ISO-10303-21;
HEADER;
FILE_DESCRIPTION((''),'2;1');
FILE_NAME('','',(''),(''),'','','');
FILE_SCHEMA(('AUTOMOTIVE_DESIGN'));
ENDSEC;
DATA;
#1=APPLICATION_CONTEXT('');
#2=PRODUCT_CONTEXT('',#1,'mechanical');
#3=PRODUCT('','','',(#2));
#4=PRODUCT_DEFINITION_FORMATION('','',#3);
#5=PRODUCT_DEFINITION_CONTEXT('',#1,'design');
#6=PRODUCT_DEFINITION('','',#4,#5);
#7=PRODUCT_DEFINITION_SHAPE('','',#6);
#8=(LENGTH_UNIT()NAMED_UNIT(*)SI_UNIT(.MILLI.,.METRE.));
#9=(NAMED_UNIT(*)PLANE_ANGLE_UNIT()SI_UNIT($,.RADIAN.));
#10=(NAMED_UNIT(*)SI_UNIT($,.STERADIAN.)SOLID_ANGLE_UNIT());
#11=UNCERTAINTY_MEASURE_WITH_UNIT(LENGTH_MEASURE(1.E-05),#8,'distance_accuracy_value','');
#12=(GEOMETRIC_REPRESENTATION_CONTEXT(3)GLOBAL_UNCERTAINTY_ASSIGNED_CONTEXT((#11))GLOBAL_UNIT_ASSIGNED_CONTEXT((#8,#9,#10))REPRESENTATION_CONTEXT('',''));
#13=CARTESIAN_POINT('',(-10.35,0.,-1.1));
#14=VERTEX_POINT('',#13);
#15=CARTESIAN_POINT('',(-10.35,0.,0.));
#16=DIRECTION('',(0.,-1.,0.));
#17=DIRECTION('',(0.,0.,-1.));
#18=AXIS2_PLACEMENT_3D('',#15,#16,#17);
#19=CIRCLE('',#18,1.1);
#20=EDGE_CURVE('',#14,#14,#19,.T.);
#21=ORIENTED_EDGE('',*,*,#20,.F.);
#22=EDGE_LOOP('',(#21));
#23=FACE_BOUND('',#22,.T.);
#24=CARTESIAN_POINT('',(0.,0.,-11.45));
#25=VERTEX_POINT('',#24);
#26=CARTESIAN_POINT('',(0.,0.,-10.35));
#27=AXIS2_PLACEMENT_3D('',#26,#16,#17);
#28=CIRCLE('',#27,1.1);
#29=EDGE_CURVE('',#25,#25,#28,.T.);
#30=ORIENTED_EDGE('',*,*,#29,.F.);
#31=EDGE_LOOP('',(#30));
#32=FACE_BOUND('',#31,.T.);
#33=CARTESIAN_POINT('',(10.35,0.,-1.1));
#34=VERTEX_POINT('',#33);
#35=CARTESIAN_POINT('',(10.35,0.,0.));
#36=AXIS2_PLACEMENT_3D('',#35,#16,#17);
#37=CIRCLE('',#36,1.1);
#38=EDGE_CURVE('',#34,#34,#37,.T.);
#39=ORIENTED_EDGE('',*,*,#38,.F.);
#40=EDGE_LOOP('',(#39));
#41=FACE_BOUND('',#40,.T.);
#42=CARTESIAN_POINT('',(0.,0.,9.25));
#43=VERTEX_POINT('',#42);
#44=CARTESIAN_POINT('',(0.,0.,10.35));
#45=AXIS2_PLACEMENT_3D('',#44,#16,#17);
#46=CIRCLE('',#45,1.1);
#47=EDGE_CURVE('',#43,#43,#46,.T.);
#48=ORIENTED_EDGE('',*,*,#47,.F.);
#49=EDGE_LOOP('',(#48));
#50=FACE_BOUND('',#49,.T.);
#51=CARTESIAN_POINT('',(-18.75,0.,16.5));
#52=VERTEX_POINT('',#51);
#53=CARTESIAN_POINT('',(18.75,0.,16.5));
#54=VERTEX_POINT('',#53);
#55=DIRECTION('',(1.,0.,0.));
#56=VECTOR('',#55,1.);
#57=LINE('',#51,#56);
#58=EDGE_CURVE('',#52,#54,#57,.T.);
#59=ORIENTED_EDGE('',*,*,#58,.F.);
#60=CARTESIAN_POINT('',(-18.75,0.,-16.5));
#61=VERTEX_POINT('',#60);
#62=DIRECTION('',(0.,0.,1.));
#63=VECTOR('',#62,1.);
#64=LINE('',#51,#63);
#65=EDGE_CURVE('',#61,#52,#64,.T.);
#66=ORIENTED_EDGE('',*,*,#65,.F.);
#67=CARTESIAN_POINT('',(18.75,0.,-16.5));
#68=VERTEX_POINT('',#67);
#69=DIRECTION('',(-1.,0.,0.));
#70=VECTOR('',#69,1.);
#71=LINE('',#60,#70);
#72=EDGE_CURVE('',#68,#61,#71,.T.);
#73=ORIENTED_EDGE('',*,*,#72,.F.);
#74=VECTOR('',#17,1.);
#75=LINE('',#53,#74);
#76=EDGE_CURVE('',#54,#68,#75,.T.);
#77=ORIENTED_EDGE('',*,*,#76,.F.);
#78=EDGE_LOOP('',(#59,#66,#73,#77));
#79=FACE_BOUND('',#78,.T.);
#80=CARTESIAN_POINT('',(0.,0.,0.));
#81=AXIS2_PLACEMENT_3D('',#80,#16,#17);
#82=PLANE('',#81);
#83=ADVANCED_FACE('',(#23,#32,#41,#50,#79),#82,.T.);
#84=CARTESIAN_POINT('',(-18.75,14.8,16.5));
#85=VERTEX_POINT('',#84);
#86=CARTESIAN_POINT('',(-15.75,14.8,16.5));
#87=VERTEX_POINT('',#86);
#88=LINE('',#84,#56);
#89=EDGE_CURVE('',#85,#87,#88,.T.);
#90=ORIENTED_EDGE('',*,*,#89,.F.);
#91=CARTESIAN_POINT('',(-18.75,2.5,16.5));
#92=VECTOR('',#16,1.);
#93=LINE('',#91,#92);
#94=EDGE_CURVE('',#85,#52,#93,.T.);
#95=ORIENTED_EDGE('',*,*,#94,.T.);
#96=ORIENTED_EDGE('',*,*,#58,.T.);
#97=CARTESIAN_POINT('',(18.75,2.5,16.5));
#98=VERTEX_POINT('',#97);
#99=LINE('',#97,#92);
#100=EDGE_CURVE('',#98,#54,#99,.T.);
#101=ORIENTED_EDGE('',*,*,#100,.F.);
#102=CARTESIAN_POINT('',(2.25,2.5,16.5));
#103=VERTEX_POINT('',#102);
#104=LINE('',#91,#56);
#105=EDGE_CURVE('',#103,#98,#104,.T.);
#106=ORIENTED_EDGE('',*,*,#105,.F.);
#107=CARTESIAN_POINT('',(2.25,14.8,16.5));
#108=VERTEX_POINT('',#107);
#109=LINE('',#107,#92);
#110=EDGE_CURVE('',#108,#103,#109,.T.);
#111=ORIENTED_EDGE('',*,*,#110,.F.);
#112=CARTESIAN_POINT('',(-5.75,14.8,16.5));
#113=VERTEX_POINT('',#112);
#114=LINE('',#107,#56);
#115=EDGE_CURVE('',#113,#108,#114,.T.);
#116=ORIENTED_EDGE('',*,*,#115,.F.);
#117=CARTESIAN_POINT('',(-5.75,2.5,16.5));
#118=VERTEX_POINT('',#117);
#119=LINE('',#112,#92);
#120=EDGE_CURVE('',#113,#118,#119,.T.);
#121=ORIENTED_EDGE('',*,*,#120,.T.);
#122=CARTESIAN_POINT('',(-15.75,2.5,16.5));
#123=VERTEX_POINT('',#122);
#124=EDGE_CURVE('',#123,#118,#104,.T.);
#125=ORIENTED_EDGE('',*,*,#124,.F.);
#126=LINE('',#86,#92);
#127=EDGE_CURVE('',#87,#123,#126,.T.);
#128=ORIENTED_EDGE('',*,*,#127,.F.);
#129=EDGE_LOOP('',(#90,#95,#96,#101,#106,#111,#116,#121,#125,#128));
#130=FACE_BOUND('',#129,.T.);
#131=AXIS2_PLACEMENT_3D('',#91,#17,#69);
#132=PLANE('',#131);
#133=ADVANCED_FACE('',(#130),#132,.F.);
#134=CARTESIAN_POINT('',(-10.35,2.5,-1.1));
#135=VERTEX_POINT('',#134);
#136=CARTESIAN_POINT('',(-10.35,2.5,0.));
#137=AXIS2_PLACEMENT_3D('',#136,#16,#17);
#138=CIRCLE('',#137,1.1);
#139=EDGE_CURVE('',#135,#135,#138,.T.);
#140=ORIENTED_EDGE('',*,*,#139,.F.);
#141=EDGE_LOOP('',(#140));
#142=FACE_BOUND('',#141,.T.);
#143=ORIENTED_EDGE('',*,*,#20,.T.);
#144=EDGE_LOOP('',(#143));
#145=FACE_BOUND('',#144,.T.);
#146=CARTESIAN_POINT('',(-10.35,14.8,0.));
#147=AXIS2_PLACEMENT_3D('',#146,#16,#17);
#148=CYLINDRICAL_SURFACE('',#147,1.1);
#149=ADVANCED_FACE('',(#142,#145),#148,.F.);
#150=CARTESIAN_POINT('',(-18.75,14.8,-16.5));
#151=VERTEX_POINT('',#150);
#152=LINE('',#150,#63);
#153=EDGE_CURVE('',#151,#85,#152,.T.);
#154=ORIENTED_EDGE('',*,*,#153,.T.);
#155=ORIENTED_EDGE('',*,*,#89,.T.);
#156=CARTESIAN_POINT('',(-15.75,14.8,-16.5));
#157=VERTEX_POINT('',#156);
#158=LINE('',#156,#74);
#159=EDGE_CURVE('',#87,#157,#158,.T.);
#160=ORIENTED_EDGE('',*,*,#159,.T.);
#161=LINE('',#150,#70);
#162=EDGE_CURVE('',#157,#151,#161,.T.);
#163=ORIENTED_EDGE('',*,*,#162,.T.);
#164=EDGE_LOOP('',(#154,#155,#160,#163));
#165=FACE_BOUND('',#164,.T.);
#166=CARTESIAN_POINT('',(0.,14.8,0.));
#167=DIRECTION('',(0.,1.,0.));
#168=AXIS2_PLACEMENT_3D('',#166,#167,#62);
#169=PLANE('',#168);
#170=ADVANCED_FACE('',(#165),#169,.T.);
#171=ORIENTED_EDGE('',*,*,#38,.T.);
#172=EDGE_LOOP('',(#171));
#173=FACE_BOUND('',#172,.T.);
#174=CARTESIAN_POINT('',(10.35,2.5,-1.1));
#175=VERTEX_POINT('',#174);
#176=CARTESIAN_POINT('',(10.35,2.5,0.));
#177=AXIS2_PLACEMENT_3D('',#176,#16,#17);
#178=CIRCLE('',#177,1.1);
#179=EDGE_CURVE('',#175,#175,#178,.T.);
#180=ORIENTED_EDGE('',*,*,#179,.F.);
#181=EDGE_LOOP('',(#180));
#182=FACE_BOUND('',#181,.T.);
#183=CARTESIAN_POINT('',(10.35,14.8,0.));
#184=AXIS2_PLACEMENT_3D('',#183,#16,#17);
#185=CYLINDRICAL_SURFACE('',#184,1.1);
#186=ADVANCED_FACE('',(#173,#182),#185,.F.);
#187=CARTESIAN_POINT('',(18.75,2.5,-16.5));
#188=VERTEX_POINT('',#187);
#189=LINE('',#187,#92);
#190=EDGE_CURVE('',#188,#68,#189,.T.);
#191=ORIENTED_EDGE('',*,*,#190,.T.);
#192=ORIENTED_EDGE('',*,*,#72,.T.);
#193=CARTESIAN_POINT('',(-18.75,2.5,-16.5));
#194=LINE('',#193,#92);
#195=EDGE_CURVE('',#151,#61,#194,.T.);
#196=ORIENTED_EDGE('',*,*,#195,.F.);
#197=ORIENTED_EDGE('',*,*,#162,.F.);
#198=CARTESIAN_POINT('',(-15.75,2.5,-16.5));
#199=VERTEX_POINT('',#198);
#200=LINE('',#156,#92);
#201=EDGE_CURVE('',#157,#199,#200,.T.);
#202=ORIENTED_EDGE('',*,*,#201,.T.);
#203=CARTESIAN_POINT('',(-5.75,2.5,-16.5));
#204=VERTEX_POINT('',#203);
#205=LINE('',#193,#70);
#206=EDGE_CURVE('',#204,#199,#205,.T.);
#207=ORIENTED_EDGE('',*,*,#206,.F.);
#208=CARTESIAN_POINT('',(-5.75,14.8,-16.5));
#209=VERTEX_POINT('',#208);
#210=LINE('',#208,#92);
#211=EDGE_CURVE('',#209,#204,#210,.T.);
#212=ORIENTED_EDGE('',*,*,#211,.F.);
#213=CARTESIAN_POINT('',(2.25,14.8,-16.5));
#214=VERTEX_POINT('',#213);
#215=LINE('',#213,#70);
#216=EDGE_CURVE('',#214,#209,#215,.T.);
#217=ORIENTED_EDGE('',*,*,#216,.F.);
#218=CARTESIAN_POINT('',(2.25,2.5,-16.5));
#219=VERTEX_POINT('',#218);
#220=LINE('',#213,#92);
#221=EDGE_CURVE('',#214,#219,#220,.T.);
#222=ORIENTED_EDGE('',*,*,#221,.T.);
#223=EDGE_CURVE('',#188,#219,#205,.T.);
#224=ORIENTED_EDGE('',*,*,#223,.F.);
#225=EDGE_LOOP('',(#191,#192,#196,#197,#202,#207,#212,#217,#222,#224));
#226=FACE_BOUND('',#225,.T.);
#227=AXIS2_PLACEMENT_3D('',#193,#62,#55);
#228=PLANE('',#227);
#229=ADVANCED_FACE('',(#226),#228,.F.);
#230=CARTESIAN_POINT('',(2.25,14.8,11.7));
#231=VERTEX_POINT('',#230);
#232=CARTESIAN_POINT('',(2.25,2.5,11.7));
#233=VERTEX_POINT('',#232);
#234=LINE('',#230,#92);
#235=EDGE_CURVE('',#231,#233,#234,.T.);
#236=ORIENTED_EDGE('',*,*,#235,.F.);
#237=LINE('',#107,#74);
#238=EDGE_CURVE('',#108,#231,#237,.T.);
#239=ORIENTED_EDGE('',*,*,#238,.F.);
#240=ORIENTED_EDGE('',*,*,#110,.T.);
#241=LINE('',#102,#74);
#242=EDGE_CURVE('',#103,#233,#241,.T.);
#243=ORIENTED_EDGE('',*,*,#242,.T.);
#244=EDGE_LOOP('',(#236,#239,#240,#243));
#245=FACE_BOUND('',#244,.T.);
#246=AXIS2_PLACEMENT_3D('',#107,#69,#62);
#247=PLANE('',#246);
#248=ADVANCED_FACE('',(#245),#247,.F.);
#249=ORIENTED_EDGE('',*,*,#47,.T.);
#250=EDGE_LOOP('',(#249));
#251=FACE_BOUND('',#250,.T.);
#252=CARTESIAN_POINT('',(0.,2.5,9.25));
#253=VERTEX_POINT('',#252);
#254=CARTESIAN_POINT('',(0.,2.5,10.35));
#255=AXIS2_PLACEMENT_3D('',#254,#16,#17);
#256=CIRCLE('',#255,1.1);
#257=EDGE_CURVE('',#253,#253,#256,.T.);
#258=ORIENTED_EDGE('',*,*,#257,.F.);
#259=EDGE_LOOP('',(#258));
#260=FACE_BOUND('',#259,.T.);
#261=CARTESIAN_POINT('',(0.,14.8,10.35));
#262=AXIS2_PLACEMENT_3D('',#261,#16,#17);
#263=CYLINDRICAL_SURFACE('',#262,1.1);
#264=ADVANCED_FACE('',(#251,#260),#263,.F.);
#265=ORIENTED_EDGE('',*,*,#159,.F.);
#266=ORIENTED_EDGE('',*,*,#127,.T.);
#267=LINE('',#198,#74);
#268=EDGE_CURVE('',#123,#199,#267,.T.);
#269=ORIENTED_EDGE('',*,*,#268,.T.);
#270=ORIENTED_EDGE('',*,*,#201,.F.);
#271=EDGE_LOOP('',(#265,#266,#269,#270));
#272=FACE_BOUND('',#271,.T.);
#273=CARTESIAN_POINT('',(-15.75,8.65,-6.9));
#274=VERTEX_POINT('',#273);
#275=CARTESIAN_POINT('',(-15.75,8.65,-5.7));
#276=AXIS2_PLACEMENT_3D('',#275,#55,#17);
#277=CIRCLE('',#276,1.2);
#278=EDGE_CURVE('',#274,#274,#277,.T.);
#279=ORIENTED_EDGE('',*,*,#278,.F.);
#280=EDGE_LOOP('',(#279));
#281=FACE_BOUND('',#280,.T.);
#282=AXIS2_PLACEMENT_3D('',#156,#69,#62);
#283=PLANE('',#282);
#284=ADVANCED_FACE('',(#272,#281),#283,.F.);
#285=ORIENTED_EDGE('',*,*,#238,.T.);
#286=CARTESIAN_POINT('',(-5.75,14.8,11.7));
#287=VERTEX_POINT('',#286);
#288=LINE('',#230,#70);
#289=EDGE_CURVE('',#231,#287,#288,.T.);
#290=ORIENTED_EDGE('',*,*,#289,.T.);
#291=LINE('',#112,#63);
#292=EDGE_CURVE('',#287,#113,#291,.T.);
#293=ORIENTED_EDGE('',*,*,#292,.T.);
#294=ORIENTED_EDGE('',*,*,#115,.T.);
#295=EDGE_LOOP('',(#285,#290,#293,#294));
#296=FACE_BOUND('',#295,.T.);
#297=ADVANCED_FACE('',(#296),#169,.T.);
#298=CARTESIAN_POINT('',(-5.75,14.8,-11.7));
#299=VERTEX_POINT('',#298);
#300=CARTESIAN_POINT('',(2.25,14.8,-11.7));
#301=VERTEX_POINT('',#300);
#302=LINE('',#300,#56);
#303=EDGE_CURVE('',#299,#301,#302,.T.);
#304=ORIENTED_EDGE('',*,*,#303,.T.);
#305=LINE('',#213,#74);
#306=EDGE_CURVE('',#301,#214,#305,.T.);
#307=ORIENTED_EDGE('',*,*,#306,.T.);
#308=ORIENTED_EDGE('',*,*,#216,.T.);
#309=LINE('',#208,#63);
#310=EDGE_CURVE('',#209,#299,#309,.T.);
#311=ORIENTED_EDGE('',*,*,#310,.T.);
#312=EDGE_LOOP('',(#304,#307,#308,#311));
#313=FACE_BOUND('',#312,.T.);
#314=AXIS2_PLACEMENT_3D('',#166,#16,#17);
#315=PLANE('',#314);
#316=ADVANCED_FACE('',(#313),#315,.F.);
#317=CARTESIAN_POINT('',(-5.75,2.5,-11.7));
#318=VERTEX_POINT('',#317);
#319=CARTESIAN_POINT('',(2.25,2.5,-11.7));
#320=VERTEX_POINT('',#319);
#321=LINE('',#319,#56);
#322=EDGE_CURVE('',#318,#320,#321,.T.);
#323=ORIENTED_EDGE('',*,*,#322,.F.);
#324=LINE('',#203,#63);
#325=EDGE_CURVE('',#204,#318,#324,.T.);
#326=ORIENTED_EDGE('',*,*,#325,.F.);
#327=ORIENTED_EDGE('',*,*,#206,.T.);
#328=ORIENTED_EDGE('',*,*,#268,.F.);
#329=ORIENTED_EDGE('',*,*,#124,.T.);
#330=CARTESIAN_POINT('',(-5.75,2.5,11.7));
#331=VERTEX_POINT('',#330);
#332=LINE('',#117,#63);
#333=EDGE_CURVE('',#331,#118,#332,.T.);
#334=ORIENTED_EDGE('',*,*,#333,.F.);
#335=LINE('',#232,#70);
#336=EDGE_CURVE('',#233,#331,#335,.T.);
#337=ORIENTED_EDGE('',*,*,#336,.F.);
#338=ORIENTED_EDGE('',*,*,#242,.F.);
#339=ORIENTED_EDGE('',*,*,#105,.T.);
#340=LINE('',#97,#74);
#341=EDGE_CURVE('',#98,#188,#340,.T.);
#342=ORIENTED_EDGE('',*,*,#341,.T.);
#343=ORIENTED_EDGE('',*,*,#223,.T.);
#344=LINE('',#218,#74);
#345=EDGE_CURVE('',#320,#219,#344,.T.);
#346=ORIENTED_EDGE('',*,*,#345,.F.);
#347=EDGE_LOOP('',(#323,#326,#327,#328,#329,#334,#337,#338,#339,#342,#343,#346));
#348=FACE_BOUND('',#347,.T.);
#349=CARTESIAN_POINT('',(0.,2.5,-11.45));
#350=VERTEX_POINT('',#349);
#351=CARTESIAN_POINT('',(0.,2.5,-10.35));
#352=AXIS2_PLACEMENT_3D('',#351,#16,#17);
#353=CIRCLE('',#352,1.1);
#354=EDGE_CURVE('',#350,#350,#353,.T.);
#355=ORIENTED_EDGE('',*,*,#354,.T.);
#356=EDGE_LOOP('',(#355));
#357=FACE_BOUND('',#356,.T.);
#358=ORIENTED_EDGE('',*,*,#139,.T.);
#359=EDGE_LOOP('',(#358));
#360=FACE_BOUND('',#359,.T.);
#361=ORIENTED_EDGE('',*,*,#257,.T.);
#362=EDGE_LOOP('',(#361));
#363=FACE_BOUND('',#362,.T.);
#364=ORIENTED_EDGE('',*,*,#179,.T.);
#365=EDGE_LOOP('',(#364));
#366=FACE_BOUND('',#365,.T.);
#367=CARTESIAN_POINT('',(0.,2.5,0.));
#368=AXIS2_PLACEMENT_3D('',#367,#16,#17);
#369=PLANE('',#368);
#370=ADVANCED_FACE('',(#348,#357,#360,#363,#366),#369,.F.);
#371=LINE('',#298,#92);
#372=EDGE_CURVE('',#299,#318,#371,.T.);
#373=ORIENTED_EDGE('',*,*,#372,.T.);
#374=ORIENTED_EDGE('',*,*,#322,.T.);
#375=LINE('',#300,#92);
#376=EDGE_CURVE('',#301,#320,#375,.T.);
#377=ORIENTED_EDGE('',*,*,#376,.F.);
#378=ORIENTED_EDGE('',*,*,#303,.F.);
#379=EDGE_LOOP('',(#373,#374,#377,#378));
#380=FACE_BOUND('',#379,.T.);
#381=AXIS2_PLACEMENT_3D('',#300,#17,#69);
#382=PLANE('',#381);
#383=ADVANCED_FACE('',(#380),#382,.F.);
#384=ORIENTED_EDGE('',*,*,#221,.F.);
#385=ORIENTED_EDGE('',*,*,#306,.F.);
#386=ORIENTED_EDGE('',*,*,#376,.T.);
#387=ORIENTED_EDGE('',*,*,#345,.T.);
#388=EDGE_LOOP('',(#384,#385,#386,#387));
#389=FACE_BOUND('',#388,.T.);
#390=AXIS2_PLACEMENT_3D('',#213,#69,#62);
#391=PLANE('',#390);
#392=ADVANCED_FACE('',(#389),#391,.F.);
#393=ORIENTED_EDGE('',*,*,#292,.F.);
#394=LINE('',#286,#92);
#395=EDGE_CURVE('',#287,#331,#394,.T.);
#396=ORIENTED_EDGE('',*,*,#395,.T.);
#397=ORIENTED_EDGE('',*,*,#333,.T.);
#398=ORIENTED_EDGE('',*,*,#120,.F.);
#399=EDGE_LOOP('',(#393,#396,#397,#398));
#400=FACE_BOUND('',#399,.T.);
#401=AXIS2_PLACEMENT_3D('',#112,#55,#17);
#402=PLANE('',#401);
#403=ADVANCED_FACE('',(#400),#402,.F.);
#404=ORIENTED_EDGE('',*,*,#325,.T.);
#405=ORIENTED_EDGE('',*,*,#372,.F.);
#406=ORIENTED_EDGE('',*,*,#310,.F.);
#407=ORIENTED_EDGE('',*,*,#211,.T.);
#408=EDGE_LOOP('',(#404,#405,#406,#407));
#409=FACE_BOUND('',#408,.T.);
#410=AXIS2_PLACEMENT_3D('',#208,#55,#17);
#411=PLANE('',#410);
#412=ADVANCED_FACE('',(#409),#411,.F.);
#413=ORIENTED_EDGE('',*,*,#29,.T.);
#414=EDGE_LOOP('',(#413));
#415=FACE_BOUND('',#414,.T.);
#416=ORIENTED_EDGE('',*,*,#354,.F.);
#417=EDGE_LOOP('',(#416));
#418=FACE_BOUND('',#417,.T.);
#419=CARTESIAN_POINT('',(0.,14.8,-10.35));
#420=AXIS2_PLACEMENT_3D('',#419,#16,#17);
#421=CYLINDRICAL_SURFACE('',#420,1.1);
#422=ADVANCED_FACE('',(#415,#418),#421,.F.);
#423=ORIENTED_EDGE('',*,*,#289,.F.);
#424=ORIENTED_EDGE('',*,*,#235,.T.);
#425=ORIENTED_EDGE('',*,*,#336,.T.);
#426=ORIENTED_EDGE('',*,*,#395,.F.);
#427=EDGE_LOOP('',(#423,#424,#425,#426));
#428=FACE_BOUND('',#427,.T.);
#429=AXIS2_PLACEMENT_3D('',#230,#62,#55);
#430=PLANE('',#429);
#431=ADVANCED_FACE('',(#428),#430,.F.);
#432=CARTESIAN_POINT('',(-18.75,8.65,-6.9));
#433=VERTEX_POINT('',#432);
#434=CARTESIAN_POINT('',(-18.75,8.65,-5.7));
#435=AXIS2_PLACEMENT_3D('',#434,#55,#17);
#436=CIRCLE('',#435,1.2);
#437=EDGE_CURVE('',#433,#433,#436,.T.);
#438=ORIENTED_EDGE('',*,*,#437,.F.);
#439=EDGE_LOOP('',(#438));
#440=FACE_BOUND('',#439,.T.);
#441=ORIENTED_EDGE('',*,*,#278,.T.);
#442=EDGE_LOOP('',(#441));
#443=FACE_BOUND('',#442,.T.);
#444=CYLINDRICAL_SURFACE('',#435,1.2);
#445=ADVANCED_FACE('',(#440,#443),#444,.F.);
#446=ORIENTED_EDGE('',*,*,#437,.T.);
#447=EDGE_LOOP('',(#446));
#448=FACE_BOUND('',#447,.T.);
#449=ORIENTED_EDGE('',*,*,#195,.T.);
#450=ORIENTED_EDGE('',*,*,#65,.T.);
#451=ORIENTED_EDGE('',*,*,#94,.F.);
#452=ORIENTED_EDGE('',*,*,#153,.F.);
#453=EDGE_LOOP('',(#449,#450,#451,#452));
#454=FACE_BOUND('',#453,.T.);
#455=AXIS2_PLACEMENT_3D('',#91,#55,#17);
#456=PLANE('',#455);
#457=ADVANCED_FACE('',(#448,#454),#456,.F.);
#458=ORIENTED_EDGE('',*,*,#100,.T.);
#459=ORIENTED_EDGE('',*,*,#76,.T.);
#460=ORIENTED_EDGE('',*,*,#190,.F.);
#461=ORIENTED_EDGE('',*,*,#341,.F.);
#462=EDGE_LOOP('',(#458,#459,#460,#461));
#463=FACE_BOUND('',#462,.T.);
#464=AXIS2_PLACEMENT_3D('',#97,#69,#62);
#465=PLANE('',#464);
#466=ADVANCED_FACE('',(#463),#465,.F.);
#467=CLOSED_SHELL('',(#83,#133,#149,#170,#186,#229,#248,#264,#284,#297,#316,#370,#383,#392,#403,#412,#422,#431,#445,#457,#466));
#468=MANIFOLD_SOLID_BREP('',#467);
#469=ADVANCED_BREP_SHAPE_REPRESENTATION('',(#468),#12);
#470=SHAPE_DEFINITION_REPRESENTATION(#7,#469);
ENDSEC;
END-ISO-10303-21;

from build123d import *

# Parameters (mm, degrees)
SKIZZE1_W                       = 37.5
SKIZZE1_H                       = 33
AUFSATZ_LINEAR_AUSTRAGEN1_DEPTH = 2.5
SKIZZE2_W                       = 3
SKIZZE2_H                       = 33
SKIZZE2_W_2                     = 8
SKIZZE2_H_2                     = 4.8
AUFSATZ_LINEAR_AUSTRAGEN2_DEPTH = 12.3
SCHNITT_LINEAR_AUSTRAGEN3_DEPTH = 30.031922086
SKIZZE5_R                       = 1.2
SCHNITT_LINEAR_AUSTRAGEN4_DEPTH = 42.006584837


with BuildPart() as part:
    # Skizze1 → Aufsatz-Linear austragen1 (new body)
    with BuildSketch(Plane(origin=(0, 0, 0), x_dir=(1, 0, 0), z_dir=(0, 1, 0))):
        Rectangle(SKIZZE1_W, SKIZZE1_H)
    extrude(amount=AUFSATZ_LINEAR_AUSTRAGEN1_DEPTH)

    # Skizze2 → Aufsatz-Linear austragen2 (add)
    with BuildSketch(Plane(origin=(0, 2.5, 0), x_dir=(1, 0, 0), z_dir=(0, 1, 0))):
        with Locations((-17.25, 0)):
            Rectangle(SKIZZE2_W, SKIZZE2_H)
        with Locations((-1.75, -14.1)):
            Rectangle(SKIZZE2_W_2, SKIZZE2_H_2)
        with Locations((-1.75, 14.1)):
            Rectangle(SKIZZE2_W_2, SKIZZE2_H_2)
    extrude(amount=AUFSATZ_LINEAR_AUSTRAGEN2_DEPTH)

    # Skizze6 → Schnitt-Linear austragen3 (cut, through all)
    with BuildSketch(Plane.XZ):
        with BuildLine():
            ThreePointArc((-10.291545894, -1.098445774), (-9.551783389, -0.756868708), (-9.25, 0))
            ThreePointArc((-9.25, 0), (-9.551783389, 0.756868708), (-10.291545894, 1.098445774))
            ThreePointArc((-10.291545894, 1.098445774), (-10.35, 0), (-10.291545894, -1.098445774))
        make_face()
        with BuildLine():
            ThreePointArc((-10.291545894, -1.098445774), (-10.35, 0), (-10.291545894, 1.098445774))
            ThreePointArc((-10.291545894, 1.098445774), (-11.45, 0), (-10.291545894, -1.098445774))
        make_face()
        with BuildLine():
            ThreePointArc((-1.098445774, 10.291545894), (0, 9.25), (1.098445774, 10.291545894))
            ThreePointArc((1.098445774, 10.291545894), (0, 10.35), (-1.098445774, 10.291545894))
        make_face()
        with BuildLine():
            ThreePointArc((-1.098445774, 10.291545894), (0, 10.35), (1.098445774, 10.291545894))
            ThreePointArc((1.098445774, 10.291545894), (1.099611375, 10.320762617), (1.1, 10.35))
            ThreePointArc((1.1, 10.35), (-0.029237383, 11.449611375), (-1.098445774, 10.291545894))
        make_face()
        with BuildLine():
            ThreePointArc((10.291545894, -1.098445774), (11.106868708, -0.798216611), (11.45, 0))
            ThreePointArc((11.45, 0), (11.106868708, 0.798216611), (10.291545894, 1.098445774))
            ThreePointArc((10.291545894, 1.098445774), (10.35, 0), (10.291545894, -1.098445774))
        make_face()
        with BuildLine():
            ThreePointArc((10.291545894, -1.098445774), (10.35, 0), (10.291545894, 1.098445774))
            ThreePointArc((10.291545894, 1.098445774), (9.25, 0), (10.291545894, -1.098445774))
        make_face()
        with BuildLine():
            ThreePointArc((-1.098445774, -10.291545894), (-0.029237383, -11.449611375), (1.1, -10.35))
            ThreePointArc((1.1, -10.35), (1.099611375, -10.320762617), (1.098445774, -10.291545894))
            ThreePointArc((1.098445774, -10.291545894), (0, -10.35), (-1.098445774, -10.291545894))
        make_face()
        with BuildLine():
            ThreePointArc((-1.098445774, -10.291545894), (0, -10.35), (1.098445774, -10.291545894))
            ThreePointArc((1.098445774, -10.291545894), (0, -9.25), (-1.098445774, -10.291545894))
        make_face()
    extrude(amount=-SCHNITT_LINEAR_AUSTRAGEN3_DEPTH, mode=Mode.SUBTRACT)

    # Skizze5 → Schnitt-Linear austragen4 (cut, through all)
    with BuildSketch(Plane(origin=(-15.75, 0, 0), x_dir=(0, 0, -1), z_dir=(1, 0, 0))):
        with Locations((5.7, 8.65)):
            Circle(SKIZZE5_R)
    extrude(amount=-SCHNITT_LINEAR_AUSTRAGEN4_DEPTH, mode=Mode.SUBTRACT)


solid = part.part
